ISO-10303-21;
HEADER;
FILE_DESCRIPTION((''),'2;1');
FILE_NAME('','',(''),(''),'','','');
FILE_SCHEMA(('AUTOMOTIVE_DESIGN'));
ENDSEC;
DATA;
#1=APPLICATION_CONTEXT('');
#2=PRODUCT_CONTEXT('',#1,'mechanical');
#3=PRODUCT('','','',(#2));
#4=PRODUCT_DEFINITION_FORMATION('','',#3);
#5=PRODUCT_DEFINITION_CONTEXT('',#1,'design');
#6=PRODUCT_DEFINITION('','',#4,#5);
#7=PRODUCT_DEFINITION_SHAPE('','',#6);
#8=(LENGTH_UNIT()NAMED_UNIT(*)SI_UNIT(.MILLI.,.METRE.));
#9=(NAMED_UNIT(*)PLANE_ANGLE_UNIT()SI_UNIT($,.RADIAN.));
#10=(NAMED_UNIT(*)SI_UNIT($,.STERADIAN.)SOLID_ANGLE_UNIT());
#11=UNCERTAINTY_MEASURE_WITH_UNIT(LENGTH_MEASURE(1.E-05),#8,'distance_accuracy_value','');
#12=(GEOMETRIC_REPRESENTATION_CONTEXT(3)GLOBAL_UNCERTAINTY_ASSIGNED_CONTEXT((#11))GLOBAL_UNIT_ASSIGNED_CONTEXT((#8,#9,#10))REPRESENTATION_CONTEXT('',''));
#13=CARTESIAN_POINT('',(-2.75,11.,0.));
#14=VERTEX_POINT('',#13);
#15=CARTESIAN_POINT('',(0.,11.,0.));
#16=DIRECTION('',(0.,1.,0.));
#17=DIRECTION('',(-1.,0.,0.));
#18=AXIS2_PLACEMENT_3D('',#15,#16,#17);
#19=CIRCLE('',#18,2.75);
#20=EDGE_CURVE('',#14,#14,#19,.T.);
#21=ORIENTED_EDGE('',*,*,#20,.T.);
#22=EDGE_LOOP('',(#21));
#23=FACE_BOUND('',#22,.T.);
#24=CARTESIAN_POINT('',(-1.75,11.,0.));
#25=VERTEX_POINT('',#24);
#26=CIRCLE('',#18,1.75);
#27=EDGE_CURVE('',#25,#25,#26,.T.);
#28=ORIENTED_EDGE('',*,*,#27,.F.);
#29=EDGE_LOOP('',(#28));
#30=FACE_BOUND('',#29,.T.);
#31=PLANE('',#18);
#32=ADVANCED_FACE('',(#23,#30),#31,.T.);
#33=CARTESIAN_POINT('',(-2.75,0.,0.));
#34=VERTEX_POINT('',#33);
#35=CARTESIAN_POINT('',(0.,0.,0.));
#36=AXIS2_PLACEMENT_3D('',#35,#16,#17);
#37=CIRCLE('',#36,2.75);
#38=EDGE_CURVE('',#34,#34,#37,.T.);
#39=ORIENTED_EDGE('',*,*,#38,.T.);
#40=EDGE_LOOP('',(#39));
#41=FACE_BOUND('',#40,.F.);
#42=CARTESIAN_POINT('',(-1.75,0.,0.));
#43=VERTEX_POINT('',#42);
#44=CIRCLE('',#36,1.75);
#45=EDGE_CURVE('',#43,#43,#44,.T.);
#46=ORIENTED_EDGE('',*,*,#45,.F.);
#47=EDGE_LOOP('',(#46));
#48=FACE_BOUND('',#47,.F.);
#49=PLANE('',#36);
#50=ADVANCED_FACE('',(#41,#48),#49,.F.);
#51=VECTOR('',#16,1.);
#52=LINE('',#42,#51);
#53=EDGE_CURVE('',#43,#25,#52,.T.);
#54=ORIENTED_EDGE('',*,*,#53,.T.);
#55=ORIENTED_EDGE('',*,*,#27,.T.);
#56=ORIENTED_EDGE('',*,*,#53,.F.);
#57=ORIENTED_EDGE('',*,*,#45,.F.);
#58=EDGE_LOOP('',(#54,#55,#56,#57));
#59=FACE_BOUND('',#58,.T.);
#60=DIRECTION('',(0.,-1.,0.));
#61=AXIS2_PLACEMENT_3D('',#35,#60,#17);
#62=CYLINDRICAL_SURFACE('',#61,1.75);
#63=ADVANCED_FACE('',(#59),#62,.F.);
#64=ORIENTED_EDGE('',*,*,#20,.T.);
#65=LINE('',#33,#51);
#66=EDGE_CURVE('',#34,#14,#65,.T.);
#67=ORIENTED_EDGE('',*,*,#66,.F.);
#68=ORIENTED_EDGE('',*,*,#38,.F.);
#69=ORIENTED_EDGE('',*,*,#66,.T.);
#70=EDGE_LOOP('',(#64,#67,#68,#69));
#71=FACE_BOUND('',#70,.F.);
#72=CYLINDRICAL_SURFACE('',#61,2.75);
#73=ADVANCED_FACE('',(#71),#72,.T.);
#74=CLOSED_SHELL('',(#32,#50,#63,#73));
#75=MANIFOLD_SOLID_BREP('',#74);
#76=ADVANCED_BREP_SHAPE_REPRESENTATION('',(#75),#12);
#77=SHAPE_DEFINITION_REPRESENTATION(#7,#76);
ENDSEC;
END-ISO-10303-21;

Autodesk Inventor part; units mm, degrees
ref_plane "YZ Plane" through (0, 0, 0) normal (1, 0, 0) x (0, 1, 0)
ref_plane "XZ Plane" through (0, 0, 0) normal (0, 1, 0) x (-1, 0, 0)
ref_plane "XY Plane" through (0, 0, 0) normal (0, 0, 1) x (1, 0, 0)
sketch "Sketch1" plane through (0, 0, 0) normal (0, 1, 0) x (-1, 0, 0)
  circle A0 centre (0, 0) radius 1.75
  circle A1 centre (0, 0) radius 2.75
  dimension "d0" = 3.5
  dimension "d1" = 1
extrude "Extrusion1" add sketch "Sketch1" along normal blind 11
properties part number "Arduino-cz2_3DPrint"
